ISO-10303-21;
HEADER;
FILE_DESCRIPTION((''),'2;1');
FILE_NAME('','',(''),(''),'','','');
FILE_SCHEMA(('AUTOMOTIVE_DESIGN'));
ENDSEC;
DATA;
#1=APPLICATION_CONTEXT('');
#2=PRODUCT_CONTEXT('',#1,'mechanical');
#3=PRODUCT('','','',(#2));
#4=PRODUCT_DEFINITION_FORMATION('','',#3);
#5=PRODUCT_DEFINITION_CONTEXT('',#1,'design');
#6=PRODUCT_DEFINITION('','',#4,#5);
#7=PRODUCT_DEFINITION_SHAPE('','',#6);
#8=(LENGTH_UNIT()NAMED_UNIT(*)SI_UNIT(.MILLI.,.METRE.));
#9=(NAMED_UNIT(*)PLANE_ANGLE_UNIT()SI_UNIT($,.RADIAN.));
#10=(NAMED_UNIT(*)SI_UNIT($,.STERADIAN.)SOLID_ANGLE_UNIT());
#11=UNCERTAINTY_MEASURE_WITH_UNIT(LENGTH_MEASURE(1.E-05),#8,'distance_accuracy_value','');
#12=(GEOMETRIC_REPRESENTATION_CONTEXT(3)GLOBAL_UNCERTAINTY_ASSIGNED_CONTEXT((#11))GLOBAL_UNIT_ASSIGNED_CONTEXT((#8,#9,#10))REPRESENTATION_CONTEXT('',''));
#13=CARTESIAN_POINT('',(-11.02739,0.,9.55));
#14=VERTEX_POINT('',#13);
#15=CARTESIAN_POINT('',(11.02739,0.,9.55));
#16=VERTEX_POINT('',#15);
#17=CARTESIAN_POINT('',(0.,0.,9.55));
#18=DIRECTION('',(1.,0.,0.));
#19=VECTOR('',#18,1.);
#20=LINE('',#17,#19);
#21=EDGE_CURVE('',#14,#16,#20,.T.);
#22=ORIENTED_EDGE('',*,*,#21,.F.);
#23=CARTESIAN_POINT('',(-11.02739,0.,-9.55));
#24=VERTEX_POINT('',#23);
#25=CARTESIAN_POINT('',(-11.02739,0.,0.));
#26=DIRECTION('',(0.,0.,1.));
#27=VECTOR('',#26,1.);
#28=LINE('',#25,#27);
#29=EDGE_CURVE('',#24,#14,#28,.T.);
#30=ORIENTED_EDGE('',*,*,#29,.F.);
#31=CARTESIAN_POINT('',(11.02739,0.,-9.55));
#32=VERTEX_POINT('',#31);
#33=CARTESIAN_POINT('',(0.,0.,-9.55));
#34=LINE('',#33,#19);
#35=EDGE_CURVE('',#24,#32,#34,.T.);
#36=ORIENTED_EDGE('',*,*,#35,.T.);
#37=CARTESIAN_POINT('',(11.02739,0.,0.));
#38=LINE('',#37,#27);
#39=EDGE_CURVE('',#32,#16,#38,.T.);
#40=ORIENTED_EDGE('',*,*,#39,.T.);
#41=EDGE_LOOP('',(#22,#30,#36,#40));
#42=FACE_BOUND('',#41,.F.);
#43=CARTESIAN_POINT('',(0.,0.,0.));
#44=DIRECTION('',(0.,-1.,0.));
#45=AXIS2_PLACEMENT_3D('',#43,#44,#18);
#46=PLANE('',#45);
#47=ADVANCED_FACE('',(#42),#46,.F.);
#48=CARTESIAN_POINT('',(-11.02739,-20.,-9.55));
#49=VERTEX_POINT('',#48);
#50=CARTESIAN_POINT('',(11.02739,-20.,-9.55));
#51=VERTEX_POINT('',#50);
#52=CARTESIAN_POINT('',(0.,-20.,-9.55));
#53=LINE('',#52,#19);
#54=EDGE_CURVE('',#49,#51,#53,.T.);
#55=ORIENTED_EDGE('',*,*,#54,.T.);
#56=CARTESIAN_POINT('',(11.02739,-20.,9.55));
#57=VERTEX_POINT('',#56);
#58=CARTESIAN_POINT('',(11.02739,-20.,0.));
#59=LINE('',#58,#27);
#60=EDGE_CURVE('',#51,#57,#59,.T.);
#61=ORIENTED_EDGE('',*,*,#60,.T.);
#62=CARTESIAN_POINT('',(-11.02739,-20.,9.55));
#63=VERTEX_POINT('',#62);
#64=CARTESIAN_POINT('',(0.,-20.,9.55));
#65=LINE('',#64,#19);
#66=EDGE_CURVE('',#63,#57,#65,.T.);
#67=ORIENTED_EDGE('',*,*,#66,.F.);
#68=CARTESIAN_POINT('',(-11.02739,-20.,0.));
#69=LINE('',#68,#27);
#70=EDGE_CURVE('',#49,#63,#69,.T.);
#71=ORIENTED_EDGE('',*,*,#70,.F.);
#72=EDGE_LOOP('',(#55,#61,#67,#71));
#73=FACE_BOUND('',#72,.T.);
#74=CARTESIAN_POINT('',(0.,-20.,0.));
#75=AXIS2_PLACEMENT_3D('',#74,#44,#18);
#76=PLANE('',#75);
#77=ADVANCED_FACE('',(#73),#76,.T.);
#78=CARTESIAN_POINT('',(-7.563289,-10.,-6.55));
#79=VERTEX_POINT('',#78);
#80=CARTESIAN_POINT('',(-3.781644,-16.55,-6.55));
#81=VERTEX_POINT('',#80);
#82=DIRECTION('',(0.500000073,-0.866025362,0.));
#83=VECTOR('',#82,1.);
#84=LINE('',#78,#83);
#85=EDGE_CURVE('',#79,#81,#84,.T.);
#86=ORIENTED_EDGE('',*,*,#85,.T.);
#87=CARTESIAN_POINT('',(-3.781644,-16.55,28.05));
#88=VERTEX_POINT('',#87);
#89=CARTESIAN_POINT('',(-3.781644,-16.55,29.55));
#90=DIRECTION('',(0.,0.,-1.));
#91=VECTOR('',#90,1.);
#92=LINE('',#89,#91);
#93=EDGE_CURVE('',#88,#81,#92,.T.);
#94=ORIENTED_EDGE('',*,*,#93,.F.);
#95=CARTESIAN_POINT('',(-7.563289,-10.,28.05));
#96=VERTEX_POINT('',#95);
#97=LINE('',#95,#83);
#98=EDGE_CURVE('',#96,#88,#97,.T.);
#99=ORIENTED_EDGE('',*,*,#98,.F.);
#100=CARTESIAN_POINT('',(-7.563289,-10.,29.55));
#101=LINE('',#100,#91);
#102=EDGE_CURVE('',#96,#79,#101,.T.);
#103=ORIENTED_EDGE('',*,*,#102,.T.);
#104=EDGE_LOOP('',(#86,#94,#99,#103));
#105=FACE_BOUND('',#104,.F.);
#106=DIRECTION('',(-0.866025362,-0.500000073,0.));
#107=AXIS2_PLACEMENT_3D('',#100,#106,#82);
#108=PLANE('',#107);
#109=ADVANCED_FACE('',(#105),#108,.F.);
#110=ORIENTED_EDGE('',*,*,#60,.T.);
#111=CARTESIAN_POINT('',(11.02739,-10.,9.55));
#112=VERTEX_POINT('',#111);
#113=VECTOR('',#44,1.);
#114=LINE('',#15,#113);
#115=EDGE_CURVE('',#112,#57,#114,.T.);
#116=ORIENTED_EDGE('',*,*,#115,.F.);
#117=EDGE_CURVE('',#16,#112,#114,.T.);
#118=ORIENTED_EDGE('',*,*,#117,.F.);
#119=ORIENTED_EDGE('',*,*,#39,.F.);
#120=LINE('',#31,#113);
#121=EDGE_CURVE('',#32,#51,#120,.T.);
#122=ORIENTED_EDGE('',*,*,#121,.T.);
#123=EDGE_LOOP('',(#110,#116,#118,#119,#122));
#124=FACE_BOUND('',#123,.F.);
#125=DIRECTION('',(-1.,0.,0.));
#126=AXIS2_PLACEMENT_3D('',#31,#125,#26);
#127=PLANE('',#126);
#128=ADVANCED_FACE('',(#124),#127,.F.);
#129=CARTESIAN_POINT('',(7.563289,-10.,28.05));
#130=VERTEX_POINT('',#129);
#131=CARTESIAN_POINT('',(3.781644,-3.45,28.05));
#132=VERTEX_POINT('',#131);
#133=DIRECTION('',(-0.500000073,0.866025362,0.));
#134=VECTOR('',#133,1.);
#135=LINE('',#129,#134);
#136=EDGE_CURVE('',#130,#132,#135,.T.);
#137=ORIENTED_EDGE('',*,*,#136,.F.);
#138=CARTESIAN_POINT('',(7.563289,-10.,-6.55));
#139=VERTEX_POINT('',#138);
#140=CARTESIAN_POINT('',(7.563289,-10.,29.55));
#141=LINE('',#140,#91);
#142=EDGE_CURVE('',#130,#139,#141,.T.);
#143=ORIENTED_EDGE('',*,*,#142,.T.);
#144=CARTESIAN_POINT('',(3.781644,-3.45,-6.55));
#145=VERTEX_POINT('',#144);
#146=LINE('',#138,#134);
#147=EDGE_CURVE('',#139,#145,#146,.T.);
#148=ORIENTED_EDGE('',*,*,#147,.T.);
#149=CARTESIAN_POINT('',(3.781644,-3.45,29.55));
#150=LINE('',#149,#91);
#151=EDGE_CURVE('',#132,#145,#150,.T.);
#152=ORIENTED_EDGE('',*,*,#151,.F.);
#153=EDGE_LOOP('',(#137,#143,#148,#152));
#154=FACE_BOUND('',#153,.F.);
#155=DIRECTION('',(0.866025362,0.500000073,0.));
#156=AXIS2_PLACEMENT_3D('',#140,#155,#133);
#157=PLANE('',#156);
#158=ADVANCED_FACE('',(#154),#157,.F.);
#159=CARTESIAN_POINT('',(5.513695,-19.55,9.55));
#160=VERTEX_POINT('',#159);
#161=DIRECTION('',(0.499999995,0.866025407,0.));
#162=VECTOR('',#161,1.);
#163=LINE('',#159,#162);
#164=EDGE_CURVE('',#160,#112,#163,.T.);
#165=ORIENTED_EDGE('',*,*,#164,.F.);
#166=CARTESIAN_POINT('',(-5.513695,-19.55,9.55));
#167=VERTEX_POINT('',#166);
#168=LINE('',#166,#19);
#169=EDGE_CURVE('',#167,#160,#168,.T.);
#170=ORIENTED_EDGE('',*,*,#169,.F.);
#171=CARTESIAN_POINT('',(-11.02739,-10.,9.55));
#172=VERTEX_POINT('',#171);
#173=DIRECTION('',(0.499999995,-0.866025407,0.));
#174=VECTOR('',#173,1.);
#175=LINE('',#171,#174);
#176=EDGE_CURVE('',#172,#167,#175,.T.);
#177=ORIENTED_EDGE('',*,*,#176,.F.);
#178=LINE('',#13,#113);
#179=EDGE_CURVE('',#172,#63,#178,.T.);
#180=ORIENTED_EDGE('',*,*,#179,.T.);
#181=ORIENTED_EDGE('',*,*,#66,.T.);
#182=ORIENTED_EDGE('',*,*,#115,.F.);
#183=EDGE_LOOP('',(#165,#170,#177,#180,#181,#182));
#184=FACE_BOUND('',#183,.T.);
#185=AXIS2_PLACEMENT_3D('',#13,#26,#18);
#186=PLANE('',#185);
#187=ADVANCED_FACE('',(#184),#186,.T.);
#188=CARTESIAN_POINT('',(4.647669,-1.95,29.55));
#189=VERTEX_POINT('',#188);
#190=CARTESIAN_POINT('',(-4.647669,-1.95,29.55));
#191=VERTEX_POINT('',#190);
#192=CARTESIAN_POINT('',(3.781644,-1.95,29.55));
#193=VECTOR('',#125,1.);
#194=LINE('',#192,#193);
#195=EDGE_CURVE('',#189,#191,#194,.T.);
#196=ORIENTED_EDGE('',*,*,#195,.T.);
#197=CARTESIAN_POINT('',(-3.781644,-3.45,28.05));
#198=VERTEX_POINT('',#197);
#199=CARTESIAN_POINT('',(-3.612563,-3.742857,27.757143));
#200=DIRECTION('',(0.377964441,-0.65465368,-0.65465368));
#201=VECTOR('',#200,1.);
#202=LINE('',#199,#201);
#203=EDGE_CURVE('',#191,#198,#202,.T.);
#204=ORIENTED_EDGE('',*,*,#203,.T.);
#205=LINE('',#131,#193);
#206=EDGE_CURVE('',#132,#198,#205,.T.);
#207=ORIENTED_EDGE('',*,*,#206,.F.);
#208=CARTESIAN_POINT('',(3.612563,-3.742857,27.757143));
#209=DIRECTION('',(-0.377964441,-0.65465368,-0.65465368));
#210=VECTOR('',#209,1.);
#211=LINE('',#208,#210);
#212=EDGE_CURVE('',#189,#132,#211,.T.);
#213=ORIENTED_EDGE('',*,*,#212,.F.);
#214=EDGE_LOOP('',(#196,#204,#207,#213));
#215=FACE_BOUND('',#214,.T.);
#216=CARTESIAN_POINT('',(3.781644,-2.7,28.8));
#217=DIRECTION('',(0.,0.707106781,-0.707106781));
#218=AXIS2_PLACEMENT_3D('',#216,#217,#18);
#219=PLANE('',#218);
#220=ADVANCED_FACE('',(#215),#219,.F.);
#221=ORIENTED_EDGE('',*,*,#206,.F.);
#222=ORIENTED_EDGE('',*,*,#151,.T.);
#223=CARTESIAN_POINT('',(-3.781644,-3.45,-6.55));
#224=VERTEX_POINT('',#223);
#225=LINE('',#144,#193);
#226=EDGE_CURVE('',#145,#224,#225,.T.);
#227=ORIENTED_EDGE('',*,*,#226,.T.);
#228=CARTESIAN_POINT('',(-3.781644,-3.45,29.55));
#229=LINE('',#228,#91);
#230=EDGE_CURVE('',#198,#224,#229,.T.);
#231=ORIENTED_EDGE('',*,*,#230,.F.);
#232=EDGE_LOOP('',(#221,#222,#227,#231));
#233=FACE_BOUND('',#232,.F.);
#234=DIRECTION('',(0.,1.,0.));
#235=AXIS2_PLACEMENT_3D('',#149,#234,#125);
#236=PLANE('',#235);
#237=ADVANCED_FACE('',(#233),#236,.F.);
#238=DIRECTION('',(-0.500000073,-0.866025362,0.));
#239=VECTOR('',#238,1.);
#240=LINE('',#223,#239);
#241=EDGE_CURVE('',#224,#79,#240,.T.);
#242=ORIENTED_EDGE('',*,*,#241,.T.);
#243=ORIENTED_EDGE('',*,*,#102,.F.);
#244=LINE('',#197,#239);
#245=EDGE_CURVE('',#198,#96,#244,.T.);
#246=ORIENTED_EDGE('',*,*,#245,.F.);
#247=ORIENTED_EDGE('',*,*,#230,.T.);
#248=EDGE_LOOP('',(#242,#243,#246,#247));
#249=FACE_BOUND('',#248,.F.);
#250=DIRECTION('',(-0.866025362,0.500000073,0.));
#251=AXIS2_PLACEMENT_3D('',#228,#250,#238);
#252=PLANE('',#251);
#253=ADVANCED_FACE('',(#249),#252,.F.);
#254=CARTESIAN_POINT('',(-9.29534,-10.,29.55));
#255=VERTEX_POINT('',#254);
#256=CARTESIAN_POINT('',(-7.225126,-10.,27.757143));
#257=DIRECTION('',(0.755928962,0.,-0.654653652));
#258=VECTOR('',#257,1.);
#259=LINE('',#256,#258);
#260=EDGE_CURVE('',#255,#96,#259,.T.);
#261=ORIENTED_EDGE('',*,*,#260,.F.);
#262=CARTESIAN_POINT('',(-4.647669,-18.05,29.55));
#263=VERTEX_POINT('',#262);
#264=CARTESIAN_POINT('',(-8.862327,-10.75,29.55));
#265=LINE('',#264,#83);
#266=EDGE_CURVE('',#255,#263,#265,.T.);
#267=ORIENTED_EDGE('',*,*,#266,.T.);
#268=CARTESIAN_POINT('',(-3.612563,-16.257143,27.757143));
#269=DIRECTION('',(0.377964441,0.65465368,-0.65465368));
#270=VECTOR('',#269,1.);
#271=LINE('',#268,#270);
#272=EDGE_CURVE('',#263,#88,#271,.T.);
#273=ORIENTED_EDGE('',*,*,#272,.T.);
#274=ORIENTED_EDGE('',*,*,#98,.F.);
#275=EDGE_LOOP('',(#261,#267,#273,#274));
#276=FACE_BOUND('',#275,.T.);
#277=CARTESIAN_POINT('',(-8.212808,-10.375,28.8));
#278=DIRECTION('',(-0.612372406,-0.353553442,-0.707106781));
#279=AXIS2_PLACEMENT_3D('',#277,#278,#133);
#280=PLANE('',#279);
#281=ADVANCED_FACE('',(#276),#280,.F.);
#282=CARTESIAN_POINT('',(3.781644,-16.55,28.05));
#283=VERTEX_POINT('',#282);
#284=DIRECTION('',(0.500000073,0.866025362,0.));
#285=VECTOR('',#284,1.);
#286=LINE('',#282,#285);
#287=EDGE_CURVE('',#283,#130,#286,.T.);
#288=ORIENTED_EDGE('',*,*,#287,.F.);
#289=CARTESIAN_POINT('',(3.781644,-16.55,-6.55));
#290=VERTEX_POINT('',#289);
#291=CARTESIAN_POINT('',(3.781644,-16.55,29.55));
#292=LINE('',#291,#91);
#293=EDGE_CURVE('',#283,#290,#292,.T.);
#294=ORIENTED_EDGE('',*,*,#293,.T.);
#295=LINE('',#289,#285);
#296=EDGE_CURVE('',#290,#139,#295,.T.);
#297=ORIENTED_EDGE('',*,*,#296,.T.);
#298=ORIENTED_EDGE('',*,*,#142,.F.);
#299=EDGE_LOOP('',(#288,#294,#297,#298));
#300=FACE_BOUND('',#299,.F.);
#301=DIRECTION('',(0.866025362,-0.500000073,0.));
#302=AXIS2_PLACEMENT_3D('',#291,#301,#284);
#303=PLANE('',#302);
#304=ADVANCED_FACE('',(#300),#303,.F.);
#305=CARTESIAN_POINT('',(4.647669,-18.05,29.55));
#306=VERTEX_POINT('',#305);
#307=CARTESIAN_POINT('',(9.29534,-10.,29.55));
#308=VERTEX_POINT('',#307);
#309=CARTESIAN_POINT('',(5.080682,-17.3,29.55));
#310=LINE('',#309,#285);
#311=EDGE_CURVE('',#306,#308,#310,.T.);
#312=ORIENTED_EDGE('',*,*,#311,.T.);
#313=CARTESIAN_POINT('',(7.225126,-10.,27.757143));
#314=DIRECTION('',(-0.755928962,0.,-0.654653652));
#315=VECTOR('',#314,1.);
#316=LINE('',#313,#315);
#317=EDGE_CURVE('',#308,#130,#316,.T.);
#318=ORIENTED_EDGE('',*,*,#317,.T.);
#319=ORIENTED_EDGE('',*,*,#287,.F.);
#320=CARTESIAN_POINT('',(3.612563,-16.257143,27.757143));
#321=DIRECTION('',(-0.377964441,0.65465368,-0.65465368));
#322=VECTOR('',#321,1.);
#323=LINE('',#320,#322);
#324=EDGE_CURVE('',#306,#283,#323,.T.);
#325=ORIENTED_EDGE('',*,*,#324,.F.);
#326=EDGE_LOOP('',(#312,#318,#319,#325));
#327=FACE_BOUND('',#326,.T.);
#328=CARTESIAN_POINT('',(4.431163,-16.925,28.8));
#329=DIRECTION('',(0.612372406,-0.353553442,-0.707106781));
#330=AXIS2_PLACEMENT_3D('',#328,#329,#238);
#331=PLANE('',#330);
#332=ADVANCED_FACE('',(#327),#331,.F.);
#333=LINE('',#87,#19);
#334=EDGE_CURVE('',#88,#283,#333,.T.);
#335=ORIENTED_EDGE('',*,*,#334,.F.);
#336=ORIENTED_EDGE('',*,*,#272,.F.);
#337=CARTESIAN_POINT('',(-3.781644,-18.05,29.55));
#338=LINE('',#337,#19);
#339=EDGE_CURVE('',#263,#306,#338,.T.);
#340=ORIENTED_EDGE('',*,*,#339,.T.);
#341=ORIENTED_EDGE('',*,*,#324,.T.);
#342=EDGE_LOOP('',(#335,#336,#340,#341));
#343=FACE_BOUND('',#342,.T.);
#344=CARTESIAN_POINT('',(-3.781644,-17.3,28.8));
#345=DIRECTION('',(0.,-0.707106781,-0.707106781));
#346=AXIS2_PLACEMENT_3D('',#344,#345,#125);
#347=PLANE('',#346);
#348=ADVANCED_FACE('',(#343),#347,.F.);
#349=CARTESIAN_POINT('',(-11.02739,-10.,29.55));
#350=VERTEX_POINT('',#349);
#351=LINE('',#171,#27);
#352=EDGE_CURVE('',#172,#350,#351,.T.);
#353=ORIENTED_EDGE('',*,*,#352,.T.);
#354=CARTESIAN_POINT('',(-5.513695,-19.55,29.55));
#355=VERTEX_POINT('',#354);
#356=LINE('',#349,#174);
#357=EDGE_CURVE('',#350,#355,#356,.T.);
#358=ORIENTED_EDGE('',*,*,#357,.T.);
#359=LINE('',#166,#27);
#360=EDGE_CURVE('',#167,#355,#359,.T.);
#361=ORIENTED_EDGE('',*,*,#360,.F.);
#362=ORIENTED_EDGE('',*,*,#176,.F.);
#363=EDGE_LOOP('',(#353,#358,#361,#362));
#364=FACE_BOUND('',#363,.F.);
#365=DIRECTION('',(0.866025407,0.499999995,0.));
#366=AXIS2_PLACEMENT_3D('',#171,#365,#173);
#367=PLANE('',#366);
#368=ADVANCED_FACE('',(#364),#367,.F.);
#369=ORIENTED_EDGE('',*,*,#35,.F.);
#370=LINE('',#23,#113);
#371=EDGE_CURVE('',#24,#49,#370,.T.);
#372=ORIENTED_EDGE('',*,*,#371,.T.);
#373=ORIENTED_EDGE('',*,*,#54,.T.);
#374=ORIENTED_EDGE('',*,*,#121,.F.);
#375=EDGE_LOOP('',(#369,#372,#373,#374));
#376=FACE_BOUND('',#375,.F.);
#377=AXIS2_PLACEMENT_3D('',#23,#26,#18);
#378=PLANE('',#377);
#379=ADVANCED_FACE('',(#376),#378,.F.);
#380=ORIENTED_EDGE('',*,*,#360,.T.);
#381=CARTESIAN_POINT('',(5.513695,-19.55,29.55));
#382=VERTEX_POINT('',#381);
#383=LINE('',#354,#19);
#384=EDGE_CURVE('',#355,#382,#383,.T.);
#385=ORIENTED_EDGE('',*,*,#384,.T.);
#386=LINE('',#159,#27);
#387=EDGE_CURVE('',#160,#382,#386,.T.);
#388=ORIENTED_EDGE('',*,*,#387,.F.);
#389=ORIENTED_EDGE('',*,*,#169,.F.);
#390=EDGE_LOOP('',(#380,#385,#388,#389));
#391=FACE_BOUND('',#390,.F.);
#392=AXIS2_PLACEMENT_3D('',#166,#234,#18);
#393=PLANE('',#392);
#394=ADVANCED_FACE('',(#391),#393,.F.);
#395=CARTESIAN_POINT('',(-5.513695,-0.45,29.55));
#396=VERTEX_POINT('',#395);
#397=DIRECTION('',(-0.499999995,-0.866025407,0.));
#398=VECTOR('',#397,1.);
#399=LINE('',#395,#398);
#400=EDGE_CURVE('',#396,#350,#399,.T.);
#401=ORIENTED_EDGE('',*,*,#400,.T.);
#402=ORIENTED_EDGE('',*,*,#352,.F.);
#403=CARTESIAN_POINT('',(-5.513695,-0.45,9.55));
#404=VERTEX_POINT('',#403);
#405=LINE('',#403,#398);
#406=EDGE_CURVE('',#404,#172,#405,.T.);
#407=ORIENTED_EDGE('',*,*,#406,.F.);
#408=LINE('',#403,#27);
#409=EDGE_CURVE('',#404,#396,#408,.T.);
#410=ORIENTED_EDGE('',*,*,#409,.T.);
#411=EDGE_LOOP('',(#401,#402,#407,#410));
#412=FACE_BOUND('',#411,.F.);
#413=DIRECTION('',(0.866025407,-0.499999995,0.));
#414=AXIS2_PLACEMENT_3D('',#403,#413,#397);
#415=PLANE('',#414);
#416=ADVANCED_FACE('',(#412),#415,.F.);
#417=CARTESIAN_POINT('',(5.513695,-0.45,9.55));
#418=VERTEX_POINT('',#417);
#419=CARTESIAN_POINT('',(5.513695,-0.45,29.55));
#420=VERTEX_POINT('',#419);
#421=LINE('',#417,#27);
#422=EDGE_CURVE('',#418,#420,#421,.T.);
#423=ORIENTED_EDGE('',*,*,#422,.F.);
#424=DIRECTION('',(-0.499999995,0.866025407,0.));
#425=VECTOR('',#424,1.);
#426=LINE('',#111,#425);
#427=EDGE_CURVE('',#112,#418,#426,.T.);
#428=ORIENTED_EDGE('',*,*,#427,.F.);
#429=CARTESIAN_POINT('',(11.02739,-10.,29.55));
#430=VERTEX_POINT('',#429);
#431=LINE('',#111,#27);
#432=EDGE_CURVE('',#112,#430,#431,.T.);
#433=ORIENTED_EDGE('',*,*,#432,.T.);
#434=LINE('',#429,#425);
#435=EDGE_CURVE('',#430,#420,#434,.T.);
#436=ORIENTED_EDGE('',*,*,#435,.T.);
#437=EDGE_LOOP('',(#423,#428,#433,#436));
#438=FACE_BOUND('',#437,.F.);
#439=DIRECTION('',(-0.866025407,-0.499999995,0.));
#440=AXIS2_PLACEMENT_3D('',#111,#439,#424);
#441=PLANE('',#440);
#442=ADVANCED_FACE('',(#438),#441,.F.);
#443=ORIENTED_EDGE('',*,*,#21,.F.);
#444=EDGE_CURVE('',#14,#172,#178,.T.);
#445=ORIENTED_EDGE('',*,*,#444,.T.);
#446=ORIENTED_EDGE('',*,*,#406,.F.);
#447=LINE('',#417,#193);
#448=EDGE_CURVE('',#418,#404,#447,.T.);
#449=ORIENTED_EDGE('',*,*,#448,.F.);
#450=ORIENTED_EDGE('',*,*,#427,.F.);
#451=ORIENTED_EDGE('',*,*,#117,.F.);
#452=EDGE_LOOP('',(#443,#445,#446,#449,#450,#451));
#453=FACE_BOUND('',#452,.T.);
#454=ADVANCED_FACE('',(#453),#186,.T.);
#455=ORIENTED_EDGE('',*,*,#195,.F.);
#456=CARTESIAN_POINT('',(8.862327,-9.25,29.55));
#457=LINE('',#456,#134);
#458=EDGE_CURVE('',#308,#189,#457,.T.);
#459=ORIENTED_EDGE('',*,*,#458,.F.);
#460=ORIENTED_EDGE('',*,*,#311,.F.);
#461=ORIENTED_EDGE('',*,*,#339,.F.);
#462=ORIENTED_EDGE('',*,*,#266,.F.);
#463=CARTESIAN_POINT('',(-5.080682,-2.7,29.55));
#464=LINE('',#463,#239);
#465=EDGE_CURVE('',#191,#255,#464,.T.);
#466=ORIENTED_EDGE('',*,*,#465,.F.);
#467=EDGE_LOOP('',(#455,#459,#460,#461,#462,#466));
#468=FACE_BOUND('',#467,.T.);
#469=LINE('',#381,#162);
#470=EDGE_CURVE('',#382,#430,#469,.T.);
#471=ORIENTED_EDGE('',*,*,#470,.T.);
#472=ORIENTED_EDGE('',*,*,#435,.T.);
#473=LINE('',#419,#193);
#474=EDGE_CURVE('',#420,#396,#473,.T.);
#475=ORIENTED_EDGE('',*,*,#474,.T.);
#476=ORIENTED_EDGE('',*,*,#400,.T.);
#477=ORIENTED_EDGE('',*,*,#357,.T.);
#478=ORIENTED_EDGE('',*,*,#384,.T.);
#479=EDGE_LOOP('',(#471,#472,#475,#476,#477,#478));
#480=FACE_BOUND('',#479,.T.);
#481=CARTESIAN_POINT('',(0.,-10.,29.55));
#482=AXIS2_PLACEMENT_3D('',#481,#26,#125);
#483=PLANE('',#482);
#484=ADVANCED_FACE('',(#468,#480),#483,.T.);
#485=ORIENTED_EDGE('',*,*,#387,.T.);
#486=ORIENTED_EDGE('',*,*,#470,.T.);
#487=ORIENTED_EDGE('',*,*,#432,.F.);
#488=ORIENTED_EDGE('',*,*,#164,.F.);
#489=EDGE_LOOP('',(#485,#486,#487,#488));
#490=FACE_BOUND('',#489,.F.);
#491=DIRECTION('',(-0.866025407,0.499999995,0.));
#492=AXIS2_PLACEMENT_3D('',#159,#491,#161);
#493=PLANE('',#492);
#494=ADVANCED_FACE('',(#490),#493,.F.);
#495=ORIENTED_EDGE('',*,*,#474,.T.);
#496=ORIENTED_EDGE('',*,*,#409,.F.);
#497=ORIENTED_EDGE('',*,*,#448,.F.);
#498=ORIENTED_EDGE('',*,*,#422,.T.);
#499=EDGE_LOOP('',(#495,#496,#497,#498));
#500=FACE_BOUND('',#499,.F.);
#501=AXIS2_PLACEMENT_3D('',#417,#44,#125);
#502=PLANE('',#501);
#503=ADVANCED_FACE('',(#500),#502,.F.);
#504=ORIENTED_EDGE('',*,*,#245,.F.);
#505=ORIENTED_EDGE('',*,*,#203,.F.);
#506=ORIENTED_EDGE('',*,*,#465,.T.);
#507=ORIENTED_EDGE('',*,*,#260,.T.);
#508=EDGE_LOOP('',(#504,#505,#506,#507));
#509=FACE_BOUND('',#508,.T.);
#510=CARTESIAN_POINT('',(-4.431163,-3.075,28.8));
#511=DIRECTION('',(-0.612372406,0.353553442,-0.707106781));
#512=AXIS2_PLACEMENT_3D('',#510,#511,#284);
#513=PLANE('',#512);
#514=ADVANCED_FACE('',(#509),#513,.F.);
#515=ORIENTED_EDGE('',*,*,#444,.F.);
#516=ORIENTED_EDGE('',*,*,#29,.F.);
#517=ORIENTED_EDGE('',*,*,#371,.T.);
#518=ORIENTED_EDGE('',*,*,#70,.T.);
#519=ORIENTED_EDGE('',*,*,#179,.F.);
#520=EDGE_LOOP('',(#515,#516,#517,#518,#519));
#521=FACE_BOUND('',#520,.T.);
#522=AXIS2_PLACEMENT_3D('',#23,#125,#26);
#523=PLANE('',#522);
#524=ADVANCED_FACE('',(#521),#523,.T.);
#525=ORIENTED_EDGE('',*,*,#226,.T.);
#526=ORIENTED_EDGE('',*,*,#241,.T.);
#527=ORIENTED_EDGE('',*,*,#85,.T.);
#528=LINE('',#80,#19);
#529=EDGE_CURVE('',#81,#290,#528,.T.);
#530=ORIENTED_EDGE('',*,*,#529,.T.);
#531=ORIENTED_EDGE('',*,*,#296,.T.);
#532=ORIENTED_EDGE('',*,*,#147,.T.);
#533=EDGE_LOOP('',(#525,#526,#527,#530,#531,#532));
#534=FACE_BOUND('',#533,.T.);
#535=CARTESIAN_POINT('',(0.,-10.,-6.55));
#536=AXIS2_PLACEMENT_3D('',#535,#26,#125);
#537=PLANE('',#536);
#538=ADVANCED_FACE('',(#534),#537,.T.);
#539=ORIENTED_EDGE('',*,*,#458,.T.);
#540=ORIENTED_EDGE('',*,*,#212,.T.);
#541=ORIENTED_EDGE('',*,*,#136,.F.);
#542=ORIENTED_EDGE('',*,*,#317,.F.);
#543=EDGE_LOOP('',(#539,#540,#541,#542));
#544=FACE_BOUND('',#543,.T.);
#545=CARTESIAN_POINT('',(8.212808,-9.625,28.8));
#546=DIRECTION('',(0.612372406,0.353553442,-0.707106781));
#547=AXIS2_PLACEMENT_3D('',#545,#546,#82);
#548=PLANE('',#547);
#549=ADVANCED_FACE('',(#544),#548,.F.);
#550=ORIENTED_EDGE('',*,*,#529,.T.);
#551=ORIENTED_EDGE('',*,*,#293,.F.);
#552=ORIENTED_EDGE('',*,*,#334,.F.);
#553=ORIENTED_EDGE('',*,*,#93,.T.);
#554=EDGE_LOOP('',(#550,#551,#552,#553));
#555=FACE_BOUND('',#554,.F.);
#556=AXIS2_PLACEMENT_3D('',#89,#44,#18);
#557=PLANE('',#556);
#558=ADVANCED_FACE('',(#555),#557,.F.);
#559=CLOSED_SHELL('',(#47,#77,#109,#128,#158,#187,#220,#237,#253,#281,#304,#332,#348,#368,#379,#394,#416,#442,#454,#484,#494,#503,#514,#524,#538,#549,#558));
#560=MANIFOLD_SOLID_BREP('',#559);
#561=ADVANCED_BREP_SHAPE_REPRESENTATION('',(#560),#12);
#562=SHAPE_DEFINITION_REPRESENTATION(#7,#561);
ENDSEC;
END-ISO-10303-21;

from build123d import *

# Parameters (mm, degrees)
SKETCH_W     = 22.05478
SKETCH_H     = 19.1
PAD_DEPTH    = 20
PAD001_DEPTH = 20
POCKET_DEPTH = 36.1
CHAMFER_SIZE = 1.5


with BuildPart() as part:
    # Sketch → Pad (new body)
    with BuildSketch(Plane.XZ):
        Rectangle(SKETCH_W, SKETCH_H)
    extrude(amount=PAD_DEPTH)

    # Sketch001 (on DatumPlane) → Pad001 (join)
    with BuildSketch(Plane(origin=(0, 0, 9.55), x_dir=(-1, 0, 0), z_dir=(0, 0, 1))):
        Polygon((-5.513695, 19.55), (-11.02739, 10), (-5.513695, 0.45), (5.513695, 0.45), (11.02739, 10), (5.513695, 19.55), align=None)
    extrude(amount=PAD001_DEPTH)

    # Sketch002 (on Face14 of Pad001) → Pocket (cut)
    with BuildSketch(Plane(origin=(0, 0, 29.55), x_dir=(-1, 0, 0), z_dir=(0, 0, 1))):
        Polygon((3.781644, 16.55), (-3.781644, 16.55), (-7.563289, 10), (-3.781644, 3.45), (3.781644, 3.45), (7.563289, 10), align=None)
    extrude(amount=-POCKET_DEPTH, mode=Mode.SUBTRACT)

    # Chamfer
    chamfer_edges = [part.edges().sort_by_distance(p)[0] for p in [
        (-5.672466, -6.725, 29.55),
        (-5.672466, -13.275, 29.55),
        (0, -3.45, 29.55),
        (5.672466, -6.725, 29.55),
        (5.672466, -13.275, 29.55),
        (0, -16.55, 29.55),
    ]]
    chamfer(chamfer_edges, length=CHAMFER_SIZE)


solid = part.part
